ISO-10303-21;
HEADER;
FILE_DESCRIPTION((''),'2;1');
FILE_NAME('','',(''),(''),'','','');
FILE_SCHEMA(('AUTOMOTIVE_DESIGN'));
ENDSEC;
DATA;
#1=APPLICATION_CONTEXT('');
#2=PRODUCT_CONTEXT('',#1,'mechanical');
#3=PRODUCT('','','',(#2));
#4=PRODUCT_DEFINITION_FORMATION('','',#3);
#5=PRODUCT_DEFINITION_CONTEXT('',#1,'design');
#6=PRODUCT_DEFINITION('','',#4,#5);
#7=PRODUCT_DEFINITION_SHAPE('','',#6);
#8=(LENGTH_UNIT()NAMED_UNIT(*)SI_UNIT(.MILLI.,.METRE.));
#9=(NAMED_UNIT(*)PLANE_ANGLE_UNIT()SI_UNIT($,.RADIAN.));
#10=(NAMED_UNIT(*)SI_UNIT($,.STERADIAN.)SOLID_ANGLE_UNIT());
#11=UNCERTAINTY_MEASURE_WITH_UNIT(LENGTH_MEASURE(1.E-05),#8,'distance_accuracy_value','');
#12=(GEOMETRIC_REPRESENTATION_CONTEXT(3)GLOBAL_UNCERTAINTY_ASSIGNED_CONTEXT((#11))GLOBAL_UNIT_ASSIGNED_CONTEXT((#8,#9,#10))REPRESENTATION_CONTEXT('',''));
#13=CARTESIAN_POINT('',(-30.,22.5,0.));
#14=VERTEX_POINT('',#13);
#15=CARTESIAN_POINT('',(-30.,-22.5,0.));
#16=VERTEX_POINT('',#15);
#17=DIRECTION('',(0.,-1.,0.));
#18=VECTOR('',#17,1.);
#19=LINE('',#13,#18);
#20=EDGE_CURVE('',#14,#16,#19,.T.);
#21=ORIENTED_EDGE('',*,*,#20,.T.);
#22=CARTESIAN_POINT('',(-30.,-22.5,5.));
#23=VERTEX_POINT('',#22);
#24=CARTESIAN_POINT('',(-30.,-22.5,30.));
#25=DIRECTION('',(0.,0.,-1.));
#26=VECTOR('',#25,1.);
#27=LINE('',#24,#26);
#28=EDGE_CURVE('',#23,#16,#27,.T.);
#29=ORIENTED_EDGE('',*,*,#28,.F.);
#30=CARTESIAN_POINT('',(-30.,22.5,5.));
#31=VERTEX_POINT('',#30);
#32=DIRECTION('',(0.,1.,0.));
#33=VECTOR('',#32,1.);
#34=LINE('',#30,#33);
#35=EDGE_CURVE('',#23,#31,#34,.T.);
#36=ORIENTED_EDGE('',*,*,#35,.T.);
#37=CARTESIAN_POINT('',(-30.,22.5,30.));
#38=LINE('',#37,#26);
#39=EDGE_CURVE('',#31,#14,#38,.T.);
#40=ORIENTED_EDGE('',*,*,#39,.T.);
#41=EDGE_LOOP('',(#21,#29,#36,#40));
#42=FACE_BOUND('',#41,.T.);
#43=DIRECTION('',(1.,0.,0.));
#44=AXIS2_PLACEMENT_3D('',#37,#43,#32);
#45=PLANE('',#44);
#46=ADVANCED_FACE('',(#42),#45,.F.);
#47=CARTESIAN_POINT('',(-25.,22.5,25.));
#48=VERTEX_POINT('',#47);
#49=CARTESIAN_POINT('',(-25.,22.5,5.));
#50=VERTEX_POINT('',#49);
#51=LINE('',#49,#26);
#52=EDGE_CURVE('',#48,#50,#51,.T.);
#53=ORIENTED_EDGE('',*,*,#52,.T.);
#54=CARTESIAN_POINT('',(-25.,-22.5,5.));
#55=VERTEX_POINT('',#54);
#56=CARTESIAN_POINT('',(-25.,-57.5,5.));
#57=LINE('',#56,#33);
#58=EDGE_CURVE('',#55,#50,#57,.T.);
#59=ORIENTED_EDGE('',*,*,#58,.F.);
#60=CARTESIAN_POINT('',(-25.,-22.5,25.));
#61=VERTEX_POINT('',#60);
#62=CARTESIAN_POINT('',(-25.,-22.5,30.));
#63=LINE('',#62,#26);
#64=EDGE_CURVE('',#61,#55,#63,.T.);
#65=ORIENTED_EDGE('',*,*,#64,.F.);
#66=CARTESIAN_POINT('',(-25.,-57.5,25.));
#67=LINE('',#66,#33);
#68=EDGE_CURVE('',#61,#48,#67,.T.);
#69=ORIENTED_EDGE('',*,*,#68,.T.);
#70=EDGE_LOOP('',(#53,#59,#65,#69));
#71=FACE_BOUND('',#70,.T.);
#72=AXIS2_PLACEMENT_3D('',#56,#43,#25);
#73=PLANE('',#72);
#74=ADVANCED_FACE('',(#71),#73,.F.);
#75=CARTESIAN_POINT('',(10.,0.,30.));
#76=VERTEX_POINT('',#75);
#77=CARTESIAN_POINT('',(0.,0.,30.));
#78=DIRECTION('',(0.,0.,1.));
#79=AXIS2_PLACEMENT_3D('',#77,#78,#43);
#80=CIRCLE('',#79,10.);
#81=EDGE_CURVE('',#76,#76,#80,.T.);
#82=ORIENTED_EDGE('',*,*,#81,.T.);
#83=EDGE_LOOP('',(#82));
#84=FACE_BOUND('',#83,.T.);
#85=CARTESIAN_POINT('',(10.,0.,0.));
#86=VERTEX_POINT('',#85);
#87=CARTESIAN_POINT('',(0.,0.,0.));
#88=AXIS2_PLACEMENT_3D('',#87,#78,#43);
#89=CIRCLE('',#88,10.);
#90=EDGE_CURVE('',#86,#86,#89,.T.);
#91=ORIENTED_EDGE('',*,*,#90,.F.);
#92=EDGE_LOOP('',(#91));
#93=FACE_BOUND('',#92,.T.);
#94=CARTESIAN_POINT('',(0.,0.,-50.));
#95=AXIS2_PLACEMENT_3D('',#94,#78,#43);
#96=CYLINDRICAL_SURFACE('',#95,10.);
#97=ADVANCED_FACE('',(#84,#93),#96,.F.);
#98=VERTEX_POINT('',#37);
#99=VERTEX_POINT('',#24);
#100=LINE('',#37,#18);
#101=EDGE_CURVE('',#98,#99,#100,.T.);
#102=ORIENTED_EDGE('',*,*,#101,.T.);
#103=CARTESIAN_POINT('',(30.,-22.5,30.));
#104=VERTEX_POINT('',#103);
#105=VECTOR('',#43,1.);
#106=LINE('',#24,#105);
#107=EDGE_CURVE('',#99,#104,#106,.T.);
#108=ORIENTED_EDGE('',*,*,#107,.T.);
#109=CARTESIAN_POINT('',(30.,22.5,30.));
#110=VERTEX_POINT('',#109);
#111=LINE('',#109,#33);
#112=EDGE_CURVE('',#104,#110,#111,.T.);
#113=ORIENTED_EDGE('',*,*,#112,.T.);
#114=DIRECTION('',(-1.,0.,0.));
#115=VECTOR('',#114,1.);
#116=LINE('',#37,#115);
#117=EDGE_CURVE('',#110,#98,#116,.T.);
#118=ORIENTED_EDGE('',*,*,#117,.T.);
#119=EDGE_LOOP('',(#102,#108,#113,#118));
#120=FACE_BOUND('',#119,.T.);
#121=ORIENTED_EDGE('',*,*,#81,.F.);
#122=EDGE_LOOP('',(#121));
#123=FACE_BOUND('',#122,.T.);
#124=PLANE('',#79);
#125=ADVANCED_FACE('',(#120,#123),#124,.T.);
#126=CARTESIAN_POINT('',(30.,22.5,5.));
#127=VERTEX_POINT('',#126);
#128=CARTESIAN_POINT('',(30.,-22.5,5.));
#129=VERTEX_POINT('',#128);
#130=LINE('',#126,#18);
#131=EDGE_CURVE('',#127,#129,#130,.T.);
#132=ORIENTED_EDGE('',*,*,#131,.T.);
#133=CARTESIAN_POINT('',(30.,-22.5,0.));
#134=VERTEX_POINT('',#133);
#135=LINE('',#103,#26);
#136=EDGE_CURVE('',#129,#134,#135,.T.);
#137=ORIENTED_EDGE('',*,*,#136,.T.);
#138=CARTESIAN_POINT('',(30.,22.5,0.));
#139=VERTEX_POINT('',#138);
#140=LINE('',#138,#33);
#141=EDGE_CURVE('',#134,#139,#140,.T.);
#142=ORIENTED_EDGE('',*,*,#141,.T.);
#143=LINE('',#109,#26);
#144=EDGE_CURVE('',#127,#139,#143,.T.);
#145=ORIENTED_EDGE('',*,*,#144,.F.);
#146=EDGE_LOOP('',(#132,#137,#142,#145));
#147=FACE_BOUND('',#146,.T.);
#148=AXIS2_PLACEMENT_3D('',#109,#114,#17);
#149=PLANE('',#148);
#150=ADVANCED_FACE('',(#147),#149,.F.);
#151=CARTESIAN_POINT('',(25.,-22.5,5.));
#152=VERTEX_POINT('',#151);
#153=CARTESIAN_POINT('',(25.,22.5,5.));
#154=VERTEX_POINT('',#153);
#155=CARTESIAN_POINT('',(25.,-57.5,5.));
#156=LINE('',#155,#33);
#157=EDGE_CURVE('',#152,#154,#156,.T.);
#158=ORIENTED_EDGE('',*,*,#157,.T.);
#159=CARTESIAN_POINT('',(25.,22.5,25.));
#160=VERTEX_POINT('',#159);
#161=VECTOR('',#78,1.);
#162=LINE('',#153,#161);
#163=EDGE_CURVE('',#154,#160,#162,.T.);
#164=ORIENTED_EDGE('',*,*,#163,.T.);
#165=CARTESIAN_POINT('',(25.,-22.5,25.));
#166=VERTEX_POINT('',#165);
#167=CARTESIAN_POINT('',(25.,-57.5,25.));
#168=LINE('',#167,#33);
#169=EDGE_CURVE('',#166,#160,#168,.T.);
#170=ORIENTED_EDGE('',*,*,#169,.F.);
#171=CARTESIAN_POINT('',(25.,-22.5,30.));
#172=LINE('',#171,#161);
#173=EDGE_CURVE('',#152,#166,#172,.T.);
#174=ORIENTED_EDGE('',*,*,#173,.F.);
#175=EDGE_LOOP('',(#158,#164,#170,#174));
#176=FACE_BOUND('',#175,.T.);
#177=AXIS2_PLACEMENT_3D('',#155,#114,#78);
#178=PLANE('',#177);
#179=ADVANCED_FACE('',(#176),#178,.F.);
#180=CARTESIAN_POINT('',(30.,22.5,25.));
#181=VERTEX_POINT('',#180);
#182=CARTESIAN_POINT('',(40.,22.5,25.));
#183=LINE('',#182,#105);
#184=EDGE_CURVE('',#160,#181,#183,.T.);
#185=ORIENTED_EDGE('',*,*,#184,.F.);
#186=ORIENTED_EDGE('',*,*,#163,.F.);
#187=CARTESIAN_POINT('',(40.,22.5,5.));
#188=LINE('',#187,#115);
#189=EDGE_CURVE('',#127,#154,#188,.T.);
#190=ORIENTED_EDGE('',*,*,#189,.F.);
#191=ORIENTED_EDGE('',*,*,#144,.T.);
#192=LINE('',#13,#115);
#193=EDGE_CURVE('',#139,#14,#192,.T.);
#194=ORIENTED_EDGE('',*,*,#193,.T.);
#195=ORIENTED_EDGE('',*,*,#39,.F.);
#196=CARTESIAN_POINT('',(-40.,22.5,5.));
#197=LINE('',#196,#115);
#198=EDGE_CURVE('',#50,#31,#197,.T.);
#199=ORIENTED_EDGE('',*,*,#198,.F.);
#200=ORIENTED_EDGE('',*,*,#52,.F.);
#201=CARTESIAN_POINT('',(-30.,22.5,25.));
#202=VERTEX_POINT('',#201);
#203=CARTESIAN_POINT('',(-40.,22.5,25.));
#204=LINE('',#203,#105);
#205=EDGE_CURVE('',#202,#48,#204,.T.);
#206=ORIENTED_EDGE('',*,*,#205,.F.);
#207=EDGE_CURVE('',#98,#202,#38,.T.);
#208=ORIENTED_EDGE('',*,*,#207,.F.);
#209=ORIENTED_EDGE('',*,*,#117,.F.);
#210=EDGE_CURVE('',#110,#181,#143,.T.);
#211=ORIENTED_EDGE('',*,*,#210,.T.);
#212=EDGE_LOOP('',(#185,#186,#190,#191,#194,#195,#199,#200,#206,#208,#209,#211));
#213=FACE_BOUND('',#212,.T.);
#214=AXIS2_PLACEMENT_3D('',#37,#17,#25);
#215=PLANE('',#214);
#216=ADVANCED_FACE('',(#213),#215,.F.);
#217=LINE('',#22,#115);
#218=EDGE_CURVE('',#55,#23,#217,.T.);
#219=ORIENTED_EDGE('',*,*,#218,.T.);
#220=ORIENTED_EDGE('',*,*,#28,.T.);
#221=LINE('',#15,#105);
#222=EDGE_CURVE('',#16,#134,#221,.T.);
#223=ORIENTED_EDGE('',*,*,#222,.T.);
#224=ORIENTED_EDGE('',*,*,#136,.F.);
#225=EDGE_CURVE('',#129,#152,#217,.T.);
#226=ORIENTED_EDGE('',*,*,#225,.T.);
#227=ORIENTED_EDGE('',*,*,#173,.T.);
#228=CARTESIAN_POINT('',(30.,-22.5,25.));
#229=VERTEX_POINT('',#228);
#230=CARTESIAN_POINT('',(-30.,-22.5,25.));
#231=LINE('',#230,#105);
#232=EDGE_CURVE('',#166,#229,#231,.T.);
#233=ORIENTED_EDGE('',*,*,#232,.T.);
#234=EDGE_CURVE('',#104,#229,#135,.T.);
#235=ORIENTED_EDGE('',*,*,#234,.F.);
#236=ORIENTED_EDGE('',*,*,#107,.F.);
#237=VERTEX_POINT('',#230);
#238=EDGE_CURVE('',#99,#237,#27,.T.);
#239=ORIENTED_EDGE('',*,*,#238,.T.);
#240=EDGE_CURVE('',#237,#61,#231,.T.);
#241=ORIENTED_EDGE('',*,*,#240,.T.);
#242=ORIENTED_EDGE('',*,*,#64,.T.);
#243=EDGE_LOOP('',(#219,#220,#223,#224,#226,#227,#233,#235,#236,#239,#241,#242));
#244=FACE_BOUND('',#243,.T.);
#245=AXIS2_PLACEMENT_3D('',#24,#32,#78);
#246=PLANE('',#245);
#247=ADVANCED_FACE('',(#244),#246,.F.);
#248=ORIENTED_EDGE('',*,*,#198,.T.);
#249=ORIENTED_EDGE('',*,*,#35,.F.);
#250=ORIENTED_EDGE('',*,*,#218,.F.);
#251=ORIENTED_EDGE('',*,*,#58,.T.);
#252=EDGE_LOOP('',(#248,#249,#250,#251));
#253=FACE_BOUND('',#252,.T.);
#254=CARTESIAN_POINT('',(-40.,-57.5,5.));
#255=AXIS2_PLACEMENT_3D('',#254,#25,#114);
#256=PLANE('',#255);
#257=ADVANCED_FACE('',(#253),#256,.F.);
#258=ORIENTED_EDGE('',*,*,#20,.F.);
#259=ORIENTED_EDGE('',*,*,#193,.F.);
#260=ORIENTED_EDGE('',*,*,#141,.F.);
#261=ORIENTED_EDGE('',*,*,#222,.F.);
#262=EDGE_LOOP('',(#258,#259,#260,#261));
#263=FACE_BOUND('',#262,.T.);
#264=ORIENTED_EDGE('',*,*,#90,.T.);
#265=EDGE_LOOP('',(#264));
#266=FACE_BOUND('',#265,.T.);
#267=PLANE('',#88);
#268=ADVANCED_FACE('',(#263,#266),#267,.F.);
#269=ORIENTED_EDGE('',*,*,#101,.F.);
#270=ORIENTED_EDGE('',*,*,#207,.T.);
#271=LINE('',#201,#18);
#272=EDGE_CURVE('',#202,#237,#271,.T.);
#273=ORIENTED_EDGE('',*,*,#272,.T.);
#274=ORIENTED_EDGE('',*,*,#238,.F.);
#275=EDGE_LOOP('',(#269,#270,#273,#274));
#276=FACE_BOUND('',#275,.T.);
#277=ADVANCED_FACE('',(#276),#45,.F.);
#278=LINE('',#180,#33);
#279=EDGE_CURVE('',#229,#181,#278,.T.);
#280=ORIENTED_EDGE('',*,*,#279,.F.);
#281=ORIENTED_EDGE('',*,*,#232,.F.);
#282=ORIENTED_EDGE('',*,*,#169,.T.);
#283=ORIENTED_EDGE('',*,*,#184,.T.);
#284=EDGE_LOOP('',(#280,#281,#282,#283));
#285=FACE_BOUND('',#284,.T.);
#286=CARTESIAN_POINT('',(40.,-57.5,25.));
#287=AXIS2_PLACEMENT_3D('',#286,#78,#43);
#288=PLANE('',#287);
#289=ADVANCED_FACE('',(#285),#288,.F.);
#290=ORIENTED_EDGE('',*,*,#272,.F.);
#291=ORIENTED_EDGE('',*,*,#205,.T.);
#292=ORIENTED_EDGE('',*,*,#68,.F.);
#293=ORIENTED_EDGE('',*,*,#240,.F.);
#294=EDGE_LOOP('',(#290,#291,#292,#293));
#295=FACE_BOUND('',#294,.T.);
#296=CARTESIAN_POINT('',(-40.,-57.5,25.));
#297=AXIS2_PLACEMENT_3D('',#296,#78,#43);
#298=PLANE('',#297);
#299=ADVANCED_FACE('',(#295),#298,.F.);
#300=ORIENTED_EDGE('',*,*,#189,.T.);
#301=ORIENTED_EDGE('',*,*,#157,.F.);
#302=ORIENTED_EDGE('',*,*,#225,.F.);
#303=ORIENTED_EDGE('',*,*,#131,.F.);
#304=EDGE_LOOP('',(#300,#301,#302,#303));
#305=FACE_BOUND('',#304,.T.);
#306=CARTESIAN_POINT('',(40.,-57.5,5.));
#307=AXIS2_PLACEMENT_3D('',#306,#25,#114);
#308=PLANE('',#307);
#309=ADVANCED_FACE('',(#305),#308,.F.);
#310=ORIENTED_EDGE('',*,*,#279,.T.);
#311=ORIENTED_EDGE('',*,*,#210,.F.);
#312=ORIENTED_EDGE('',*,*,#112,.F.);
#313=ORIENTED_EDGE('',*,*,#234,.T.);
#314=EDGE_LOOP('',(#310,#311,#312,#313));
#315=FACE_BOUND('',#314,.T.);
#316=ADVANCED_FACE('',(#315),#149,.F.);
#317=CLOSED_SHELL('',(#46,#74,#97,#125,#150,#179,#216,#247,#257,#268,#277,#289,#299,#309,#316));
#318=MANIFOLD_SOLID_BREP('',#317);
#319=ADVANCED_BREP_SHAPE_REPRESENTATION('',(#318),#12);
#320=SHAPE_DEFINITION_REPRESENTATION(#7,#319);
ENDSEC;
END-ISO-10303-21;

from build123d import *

# Parameters (mm, degrees)
SKETCH_1_W          = 60
SKETCH_1_H          = 45
EXTRUDE_1_DEPTH     = 30
SKETCH_2_W          = 15
SKETCH_2_H          = 20
CUT_EXTRUDE_1_DEPTH = 80
SKETCH_3_R          = 10
CUT_EXTRUDE_2_DEPTH = 80


with BuildPart() as part:
    # 草图1 → 凸台-拉伸1 (new body)
    with BuildSketch(Plane.XY):
        Rectangle(SKETCH_1_W, SKETCH_1_H)
    extrude(amount=EXTRUDE_1_DEPTH)

    # 草图2 → 切除-拉伸1 (cut)
    with BuildSketch(Plane(origin=(0, 22.5, 0), x_dir=(1, 0, 0), z_dir=(0, 1, 0))):
        with Locations((-32.5, -15)):
            Rectangle(SKETCH_2_W, SKETCH_2_H)
        with Locations((32.5, -15)):
            Rectangle(SKETCH_2_W, SKETCH_2_H)
    extrude(amount=-CUT_EXTRUDE_1_DEPTH, mode=Mode.SUBTRACT)

    # 草图3 → 切除-拉伸2 (cut)
    with BuildSketch(Plane.XY.offset(30)):
        Circle(SKETCH_3_R)
    extrude(amount=-CUT_EXTRUDE_2_DEPTH, mode=Mode.SUBTRACT)


solid = part.part
